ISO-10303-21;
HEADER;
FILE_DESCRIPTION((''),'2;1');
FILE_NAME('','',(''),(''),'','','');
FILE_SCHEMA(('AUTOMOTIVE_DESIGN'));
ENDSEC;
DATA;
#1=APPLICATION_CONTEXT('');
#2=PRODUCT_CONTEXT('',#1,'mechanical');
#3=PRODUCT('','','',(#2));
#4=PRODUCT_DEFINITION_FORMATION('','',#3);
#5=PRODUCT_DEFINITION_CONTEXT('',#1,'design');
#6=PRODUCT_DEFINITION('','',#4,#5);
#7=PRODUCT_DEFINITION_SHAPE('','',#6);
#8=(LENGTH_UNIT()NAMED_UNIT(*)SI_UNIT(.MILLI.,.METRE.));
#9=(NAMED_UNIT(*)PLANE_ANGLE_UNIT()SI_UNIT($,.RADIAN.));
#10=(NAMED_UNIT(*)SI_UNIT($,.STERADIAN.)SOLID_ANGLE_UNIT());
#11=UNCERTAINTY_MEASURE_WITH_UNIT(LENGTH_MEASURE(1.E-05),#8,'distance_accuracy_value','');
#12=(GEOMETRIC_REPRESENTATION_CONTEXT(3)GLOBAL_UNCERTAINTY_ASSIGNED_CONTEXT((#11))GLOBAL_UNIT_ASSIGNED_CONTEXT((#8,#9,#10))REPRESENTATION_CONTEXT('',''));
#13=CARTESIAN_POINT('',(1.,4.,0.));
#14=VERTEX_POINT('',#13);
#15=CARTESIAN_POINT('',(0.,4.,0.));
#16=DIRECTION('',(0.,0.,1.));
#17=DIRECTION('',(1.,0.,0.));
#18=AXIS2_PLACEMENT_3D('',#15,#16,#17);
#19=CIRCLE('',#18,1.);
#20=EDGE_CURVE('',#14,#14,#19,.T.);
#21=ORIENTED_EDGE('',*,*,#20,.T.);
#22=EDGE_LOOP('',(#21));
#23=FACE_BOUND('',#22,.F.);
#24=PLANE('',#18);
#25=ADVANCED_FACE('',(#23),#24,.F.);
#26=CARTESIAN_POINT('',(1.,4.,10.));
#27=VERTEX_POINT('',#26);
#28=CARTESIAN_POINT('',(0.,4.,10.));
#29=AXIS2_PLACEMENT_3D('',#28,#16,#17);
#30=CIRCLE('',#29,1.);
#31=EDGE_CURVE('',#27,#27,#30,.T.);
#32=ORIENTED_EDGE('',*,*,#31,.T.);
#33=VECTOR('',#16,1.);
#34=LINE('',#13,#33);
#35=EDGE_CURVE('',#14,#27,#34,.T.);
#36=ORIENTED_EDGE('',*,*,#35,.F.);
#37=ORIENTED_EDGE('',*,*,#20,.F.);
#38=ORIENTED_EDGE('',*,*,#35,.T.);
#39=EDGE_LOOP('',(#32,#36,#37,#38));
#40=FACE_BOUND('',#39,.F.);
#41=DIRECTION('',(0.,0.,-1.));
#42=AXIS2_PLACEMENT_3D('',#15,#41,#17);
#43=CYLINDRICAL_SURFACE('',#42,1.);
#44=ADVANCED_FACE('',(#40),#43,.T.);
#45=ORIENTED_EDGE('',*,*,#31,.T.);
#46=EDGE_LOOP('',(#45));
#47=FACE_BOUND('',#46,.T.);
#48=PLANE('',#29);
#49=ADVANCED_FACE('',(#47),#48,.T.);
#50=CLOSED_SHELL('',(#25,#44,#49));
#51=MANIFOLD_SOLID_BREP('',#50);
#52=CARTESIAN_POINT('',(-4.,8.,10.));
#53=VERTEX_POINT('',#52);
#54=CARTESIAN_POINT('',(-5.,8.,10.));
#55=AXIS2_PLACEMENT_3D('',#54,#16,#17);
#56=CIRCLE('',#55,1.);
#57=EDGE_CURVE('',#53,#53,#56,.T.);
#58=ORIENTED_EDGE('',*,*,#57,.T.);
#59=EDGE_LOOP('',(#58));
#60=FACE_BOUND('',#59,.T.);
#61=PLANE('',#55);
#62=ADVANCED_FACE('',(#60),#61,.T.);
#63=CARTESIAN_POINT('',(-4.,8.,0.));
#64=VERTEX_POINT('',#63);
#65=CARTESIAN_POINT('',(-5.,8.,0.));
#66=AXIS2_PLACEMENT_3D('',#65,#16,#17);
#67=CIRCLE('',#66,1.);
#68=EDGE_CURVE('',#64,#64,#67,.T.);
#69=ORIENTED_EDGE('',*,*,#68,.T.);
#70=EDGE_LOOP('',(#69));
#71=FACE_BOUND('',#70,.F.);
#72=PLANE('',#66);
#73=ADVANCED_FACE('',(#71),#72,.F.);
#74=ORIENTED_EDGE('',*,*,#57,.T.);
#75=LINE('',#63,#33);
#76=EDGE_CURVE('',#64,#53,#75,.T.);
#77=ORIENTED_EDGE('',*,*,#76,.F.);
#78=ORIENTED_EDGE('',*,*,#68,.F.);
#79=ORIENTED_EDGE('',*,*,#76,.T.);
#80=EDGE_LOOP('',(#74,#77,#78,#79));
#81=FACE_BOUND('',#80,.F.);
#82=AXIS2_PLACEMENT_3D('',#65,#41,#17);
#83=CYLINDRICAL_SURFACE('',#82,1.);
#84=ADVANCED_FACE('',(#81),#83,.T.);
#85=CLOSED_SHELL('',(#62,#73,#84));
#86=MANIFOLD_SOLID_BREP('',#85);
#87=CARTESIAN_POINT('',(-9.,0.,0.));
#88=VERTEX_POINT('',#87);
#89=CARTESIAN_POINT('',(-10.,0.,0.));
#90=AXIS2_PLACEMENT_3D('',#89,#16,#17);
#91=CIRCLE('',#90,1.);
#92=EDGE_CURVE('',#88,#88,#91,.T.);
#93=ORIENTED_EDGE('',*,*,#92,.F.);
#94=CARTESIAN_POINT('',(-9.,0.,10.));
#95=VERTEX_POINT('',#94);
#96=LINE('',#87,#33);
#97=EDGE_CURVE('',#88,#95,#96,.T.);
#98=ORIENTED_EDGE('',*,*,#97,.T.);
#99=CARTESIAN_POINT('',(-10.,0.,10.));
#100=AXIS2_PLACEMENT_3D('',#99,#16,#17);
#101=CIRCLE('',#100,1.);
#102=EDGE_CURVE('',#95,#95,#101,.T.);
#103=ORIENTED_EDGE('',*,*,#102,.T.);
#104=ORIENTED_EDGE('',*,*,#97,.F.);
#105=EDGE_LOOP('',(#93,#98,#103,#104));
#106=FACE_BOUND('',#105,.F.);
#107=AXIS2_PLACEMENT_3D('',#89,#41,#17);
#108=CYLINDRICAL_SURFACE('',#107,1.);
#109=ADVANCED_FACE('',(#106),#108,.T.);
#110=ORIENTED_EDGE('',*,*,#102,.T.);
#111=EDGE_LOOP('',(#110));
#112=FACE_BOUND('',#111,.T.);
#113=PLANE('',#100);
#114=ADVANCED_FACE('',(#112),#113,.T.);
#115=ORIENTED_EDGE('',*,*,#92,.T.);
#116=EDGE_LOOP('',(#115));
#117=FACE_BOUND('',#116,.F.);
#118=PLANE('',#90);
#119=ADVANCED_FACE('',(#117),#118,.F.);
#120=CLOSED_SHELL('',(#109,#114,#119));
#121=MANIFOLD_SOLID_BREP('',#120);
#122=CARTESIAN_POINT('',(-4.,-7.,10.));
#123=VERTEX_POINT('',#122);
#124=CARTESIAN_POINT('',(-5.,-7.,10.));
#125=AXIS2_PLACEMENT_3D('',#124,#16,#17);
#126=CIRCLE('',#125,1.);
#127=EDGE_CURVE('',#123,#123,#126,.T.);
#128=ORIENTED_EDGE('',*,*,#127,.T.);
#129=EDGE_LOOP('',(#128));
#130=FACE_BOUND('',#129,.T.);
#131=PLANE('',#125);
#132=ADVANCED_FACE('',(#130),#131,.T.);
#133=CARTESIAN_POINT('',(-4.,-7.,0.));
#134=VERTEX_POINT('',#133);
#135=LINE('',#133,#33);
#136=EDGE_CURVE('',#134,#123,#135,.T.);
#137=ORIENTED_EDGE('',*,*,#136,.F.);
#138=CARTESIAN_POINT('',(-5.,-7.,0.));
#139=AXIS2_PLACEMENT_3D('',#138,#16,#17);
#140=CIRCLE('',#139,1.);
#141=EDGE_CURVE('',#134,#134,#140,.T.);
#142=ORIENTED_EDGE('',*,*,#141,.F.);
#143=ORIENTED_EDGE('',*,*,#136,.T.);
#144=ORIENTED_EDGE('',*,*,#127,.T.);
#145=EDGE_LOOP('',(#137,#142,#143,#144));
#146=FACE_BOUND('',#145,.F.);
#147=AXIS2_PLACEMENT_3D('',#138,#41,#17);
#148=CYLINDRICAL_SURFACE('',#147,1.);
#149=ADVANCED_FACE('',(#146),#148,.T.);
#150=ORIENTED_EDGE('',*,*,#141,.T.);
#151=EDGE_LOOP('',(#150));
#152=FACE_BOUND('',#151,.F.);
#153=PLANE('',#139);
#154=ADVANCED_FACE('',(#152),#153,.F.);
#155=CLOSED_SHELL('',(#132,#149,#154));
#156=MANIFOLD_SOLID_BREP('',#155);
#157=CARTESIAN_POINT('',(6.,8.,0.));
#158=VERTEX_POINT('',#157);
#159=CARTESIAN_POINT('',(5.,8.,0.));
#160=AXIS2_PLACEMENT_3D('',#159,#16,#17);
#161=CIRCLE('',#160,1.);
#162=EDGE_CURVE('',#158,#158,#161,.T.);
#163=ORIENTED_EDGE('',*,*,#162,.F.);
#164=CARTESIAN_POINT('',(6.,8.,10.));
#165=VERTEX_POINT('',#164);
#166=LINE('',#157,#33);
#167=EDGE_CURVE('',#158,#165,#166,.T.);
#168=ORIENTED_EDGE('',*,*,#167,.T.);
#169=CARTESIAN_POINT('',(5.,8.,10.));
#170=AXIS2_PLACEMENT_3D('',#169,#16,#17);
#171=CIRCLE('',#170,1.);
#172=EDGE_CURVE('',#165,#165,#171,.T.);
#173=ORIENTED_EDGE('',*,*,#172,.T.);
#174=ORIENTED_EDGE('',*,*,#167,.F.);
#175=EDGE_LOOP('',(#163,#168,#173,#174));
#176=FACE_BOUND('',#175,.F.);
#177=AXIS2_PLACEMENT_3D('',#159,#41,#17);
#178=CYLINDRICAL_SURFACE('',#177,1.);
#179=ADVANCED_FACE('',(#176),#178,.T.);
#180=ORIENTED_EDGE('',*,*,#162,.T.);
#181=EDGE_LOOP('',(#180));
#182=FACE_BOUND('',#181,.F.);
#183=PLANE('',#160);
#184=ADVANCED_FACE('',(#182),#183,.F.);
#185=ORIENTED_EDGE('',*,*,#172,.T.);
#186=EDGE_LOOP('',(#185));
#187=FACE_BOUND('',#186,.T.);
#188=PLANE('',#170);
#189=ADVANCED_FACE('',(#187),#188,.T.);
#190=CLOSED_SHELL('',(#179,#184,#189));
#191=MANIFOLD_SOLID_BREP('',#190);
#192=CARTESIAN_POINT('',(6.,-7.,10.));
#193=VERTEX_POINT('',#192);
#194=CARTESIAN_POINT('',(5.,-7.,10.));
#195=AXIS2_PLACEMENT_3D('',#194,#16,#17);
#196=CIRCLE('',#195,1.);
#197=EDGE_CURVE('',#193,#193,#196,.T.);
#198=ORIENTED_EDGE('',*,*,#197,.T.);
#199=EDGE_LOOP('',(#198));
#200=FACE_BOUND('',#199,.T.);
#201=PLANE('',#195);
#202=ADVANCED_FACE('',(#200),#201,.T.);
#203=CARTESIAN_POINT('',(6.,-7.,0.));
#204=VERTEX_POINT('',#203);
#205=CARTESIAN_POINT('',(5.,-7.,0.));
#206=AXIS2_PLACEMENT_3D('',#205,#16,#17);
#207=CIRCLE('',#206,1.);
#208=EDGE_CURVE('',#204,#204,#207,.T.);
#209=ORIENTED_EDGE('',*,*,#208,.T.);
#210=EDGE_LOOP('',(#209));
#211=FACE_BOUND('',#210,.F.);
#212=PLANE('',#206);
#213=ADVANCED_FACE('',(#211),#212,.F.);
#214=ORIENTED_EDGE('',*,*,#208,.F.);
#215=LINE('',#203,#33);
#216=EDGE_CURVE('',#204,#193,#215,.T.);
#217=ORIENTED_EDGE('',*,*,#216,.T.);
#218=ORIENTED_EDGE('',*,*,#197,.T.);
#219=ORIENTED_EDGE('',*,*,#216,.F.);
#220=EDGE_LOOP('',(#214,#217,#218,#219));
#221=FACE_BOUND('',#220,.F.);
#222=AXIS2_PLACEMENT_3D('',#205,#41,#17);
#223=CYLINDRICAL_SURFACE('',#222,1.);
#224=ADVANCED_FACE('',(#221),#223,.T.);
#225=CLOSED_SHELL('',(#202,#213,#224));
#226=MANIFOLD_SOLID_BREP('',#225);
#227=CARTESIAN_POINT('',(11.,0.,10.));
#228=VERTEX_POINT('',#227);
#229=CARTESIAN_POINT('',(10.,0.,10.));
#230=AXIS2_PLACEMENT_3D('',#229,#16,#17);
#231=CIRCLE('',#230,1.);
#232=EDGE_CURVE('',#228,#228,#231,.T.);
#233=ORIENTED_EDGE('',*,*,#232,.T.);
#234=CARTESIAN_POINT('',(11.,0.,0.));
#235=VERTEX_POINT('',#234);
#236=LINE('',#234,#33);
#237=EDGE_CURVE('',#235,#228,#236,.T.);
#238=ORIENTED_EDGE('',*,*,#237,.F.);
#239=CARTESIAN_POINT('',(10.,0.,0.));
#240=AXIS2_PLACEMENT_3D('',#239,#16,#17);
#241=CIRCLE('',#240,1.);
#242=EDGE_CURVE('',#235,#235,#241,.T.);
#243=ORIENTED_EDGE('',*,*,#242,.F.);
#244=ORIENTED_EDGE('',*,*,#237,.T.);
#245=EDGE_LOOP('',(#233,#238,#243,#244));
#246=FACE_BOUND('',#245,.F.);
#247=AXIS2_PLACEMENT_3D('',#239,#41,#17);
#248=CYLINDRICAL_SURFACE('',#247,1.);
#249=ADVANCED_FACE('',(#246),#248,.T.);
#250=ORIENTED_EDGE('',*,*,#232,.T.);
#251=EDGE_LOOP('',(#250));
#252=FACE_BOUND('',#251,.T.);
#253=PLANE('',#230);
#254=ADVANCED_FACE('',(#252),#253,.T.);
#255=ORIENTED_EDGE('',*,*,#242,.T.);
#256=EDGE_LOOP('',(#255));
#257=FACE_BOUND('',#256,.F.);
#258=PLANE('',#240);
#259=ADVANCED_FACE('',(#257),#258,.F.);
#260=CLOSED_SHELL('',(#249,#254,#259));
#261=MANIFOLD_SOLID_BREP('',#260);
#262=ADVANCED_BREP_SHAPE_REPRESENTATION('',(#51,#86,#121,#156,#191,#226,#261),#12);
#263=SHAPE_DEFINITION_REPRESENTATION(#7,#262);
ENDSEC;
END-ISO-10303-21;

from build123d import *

# Parameters (mm, degrees)
CYLINDER011_R     = 1
CYLINDER011_DEPTH = 10
CYLINDER010_R     = 1
CYLINDER010_DEPTH = 10
CYLINDER009_R     = 1
CYLINDER009_DEPTH = 10
CYLINDER008_R     = 1
CYLINDER008_DEPTH = 10
CYLINDER006_R     = 1
CYLINDER006_DEPTH = 10
CYLINDER007_R     = 1
CYLINDER007_DEPTH = 10
CYLINDER012_R     = 1
CYLINDER012_DEPTH = 10


with BuildPart() as threadedhole007:
    # Cylinder011 → Cylinder011 (new body)
    with BuildSketch(Plane(origin=(5, 8, 0), x_dir=(1, 0, 0), z_dir=(0, 0, 1))):
        Circle(CYLINDER011_R)
    extrude(amount=CYLINDER011_DEPTH)


with BuildPart() as threadedhole006:
    # Cylinder010 → Cylinder010 (new body)
    with BuildSketch(Plane(origin=(-5, 8, 0), x_dir=(1, 0, 0), z_dir=(0, 0, 1))):
        Circle(CYLINDER010_R)
    extrude(amount=CYLINDER010_DEPTH)


with BuildPart() as threadedhole005:
    # Cylinder009 → Cylinder009 (new body)
    with BuildSketch(Plane(origin=(-5, -7, 0), x_dir=(1, 0, 0), z_dir=(0, 0, 1))):
        Circle(CYLINDER009_R)
    extrude(amount=CYLINDER009_DEPTH)


with BuildPart() as threadedhole004:
    # Cylinder008 → Cylinder008 (new body)
    with BuildSketch(Plane(origin=(5, -7, 0), x_dir=(1, 0, 0), z_dir=(0, 0, 1))):
        Circle(CYLINDER008_R)
    extrude(amount=CYLINDER008_DEPTH)


with BuildPart() as threadedhole002:
    # Cylinder006 → Cylinder006 (new body)
    with BuildSketch(Plane(origin=(-10, 0, 0), x_dir=(1, 0, 0), z_dir=(0, 0, 1))):
        Circle(CYLINDER006_R)
    extrude(amount=CYLINDER006_DEPTH)


with BuildPart() as threadedhole003:
    # Cylinder007 → Cylinder007 (new body)
    with BuildSketch(Plane(origin=(10, 0, 0), x_dir=(1, 0, 0), z_dir=(0, 0, 1))):
        Circle(CYLINDER007_R)
    extrude(amount=CYLINDER007_DEPTH)


with BuildPart() as fusion005:
    # Cylinder012 → Cylinder012 (new body)
    with BuildSketch(Plane(origin=(0, 4, 0), x_dir=(1, 0, 0), z_dir=(0, 0, 1))):
        Circle(CYLINDER012_R)
    extrude(amount=CYLINDER012_DEPTH)

    # Fusion005: union ThreadedHole007, ThreadedHole006, ThreadedHole005, ThreadedHole004, ThreadedHole002, ThreadedHole003
    add(threadedhole007.part)
    add(threadedhole006.part)
    add(threadedhole005.part)
    add(threadedhole004.part)
    add(threadedhole002.part)
    add(threadedhole003.part)


solid = fusion005.part
